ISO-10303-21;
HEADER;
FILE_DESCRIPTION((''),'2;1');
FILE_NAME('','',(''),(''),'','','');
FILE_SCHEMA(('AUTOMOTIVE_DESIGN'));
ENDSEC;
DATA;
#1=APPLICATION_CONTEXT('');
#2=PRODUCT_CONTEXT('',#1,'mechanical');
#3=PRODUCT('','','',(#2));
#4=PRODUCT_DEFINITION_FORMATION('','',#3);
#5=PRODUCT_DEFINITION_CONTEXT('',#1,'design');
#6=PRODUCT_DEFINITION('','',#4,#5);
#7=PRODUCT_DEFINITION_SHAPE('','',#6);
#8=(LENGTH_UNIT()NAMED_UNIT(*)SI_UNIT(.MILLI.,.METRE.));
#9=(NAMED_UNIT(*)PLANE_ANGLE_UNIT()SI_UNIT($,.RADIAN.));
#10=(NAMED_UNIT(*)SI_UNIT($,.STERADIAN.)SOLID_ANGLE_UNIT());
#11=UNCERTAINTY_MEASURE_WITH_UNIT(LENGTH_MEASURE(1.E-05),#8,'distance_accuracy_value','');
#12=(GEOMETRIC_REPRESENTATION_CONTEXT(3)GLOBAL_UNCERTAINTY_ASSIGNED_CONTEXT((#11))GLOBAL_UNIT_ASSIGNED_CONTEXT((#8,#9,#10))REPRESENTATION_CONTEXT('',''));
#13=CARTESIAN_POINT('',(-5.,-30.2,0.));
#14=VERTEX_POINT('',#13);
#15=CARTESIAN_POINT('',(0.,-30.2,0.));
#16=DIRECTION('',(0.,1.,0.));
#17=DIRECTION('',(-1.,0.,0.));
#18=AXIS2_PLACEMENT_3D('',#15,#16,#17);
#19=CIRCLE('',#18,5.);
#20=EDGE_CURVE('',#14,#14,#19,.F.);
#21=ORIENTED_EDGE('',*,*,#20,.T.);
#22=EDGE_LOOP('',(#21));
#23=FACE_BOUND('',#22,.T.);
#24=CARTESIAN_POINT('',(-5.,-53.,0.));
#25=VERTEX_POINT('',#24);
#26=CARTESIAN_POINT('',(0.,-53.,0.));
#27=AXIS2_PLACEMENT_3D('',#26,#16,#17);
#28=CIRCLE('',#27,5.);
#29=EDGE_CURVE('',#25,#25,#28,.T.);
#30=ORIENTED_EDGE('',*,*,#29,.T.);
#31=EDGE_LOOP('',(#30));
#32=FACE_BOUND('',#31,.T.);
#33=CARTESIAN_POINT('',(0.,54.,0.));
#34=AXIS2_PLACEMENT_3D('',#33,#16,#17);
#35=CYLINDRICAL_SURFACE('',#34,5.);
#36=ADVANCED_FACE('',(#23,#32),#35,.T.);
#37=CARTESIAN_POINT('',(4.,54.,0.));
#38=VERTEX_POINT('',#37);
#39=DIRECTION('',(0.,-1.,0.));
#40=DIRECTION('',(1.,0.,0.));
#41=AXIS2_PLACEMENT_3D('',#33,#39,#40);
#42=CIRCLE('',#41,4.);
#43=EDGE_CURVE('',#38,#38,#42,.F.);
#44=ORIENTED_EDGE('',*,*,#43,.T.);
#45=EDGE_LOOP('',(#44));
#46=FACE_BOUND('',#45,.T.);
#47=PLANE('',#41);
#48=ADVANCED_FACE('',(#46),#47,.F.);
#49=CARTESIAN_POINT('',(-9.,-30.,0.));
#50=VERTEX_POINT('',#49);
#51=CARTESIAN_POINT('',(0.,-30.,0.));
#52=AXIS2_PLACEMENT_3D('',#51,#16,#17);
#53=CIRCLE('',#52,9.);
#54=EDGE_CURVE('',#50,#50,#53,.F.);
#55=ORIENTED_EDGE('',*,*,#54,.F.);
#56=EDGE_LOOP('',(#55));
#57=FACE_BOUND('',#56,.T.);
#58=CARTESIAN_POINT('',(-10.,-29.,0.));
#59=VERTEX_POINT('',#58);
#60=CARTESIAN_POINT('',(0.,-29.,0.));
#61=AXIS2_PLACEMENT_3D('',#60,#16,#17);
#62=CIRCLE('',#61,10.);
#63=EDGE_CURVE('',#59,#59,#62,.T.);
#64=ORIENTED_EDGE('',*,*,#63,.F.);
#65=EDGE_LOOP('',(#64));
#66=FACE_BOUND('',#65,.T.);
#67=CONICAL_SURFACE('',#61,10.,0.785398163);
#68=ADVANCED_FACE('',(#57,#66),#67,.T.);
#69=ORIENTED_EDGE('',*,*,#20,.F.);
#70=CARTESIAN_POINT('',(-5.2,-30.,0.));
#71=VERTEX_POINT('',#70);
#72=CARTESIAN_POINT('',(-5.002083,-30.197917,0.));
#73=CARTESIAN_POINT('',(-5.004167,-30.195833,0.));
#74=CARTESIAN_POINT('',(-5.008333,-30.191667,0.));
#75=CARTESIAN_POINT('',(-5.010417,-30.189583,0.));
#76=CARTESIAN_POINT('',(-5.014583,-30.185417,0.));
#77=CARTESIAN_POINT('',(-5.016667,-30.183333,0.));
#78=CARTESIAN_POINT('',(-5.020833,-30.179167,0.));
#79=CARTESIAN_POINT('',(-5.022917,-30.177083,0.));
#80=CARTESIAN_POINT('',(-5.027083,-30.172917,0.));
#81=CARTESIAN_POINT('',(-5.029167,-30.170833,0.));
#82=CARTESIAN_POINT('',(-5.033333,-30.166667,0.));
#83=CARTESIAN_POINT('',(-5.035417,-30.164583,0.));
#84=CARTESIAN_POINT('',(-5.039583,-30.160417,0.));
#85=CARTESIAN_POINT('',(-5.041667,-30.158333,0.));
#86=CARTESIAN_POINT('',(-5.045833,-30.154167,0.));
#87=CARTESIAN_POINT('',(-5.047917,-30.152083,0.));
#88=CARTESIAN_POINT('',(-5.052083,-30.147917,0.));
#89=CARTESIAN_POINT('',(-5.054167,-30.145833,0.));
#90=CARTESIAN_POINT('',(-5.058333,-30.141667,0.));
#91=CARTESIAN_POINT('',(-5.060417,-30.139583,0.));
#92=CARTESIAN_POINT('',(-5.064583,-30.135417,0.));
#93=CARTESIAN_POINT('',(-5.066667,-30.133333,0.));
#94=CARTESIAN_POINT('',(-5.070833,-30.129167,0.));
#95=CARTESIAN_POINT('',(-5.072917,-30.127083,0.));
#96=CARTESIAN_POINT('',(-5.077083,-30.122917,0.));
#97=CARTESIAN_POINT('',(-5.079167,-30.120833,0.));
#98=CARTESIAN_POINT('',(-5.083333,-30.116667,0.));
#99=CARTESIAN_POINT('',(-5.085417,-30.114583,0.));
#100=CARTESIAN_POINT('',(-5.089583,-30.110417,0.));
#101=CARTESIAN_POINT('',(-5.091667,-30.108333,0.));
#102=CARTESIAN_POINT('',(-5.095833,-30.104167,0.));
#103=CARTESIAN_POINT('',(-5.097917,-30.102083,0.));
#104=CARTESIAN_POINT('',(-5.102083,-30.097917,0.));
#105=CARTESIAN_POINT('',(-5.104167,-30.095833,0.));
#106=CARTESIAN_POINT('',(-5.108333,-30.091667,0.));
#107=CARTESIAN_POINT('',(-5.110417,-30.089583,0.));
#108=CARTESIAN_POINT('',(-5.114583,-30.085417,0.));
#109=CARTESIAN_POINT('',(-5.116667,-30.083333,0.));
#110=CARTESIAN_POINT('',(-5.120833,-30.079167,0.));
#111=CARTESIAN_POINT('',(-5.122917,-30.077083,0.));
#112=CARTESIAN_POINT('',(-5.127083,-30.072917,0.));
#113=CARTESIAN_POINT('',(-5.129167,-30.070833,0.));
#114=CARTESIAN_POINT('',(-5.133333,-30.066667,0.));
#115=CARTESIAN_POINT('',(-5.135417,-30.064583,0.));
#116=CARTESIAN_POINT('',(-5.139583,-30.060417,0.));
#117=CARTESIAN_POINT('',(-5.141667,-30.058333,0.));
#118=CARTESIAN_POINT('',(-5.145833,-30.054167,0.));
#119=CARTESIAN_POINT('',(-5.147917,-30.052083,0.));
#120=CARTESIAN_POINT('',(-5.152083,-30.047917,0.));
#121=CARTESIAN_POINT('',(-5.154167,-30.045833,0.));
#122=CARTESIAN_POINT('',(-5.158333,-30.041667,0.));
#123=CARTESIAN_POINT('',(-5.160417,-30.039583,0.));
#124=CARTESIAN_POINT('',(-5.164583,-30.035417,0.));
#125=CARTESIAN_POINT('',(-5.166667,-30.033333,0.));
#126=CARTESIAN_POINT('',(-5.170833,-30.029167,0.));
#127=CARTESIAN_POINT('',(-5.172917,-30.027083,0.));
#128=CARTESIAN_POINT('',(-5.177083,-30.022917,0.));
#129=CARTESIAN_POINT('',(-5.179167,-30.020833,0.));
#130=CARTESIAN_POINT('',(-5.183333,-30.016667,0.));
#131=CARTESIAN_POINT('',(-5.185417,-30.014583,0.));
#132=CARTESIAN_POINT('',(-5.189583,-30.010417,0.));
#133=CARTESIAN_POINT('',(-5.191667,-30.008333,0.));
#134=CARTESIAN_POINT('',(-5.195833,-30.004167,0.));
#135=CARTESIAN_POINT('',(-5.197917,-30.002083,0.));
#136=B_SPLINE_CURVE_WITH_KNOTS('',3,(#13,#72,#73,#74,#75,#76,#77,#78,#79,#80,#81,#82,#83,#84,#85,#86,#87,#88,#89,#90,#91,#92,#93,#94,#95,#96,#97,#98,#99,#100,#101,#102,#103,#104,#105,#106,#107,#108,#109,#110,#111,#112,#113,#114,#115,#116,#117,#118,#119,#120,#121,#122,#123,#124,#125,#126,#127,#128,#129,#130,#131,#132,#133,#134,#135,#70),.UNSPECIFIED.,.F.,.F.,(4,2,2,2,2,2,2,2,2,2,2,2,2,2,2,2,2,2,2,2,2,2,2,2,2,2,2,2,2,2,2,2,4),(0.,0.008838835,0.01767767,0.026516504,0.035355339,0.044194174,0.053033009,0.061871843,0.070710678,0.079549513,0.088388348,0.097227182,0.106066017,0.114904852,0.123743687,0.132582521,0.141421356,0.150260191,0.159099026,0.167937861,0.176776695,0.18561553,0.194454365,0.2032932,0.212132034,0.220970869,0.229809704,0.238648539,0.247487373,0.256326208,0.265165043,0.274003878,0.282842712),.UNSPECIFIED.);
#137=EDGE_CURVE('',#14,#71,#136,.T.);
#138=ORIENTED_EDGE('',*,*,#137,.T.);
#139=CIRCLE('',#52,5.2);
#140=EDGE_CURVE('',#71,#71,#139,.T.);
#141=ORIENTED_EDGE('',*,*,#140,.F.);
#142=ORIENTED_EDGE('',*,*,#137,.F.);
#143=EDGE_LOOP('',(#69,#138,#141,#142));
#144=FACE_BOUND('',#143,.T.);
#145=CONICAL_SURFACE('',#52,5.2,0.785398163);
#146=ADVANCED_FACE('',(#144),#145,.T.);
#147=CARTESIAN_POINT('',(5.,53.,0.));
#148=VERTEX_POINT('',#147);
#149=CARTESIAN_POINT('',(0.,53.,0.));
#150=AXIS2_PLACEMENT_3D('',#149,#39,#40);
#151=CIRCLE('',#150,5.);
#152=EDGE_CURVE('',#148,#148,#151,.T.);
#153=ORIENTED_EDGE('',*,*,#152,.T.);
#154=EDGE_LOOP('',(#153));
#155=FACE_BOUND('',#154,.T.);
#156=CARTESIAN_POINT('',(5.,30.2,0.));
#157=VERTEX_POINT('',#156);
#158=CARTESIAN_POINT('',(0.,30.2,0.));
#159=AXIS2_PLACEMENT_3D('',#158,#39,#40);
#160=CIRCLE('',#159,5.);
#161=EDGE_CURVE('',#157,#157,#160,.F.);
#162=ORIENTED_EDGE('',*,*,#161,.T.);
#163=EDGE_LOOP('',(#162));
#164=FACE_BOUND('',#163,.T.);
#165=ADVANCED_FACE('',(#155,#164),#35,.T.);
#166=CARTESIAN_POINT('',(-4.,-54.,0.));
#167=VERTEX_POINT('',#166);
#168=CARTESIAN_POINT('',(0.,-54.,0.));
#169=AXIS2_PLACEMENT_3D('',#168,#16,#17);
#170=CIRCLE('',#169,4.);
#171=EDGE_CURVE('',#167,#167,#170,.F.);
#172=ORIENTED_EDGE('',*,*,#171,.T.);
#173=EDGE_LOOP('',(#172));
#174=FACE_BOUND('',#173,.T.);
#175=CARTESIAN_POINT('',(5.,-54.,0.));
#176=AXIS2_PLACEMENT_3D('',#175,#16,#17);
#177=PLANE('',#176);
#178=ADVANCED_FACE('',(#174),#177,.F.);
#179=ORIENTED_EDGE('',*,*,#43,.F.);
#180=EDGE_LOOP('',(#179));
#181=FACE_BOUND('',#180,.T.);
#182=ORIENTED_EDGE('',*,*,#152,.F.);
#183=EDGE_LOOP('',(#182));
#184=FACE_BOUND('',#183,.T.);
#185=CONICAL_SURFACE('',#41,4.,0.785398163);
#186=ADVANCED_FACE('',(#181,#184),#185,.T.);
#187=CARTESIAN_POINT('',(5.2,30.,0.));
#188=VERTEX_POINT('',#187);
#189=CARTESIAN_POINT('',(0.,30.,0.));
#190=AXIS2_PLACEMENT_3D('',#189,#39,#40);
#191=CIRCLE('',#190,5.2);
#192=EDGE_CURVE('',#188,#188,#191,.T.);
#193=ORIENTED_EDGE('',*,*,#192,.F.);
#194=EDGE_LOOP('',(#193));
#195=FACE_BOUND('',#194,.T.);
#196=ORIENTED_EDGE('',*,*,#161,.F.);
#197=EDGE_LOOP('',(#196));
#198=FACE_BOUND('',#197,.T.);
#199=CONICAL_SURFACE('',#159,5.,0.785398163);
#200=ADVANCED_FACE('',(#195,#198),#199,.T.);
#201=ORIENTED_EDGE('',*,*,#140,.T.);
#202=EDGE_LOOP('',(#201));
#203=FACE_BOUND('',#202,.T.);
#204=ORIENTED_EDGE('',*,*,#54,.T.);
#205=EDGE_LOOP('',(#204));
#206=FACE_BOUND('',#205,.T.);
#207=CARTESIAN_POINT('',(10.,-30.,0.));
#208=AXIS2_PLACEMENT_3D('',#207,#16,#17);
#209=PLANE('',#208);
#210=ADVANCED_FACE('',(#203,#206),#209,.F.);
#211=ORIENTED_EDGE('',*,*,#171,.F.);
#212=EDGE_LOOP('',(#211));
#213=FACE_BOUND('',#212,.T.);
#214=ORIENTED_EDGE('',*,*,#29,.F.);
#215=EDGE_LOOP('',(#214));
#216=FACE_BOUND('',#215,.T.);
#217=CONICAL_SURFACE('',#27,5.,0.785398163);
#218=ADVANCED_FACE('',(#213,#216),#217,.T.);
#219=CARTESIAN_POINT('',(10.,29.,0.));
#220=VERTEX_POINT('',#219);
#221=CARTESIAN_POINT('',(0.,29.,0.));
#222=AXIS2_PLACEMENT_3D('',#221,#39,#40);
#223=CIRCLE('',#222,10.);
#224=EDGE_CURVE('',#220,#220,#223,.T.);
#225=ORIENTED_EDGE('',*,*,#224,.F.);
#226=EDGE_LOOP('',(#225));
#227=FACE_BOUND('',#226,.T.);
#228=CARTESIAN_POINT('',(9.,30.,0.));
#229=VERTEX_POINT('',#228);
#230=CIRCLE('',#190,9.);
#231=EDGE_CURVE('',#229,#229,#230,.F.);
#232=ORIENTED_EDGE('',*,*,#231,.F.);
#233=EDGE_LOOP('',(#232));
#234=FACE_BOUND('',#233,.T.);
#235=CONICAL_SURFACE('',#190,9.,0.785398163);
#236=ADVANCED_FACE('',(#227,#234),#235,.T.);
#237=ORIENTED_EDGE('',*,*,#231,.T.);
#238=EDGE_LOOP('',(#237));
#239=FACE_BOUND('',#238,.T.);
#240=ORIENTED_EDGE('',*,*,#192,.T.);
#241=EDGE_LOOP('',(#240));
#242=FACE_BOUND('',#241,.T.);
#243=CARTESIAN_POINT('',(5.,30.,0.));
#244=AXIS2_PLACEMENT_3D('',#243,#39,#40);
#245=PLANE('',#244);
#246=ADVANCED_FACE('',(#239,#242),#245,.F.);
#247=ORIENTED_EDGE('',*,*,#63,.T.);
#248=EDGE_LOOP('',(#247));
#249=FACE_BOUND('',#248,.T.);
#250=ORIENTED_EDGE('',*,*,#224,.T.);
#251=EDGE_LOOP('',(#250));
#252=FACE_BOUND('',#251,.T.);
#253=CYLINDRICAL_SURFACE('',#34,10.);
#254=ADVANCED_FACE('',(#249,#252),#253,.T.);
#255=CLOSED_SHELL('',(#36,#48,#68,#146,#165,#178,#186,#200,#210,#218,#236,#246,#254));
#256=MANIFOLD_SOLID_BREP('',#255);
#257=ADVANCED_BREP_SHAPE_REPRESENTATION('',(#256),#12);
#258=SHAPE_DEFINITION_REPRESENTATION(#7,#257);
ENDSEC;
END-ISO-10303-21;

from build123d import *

# Parameters (mm, degrees)
CHAMFER_1_SIZE = 1
CHAMFER_2_SIZE = 0.2


with BuildPart() as part:
    # 草图1 → 旋转1 (revolve)
    with BuildSketch(Plane.XY, mode=Mode.PRIVATE) as revolve_1_sk:
        Polygon((0, 54), (5, 54), (5, 30), (10, 30), (10, -30), (5, -30), (5, -54), (0, -54), align=None)
    revolve(revolve_1_sk.sketch.rotate(Axis((0, 54, 0), (0, -1, 0)), 180), axis=Axis((0, 54, 0), (0, -1, 0)))

    # 倒角1
    chamfer_1_edges = [part.edges().sort_by_distance(p)[0] for p in [
        (5, -54, 0),
        (10, -30, 0),
        (10, 30, 0),
        (5, 54, 0),
    ]]
    chamfer(chamfer_1_edges, length=CHAMFER_1_SIZE)

    # 倒角2
    chamfer_2_edges = [part.edges().sort_by_distance(p)[0] for p in [
        (5, -30, 0),
        (5, 30, 0),
    ]]
    chamfer(chamfer_2_edges, length=CHAMFER_2_SIZE)


solid = part.part
